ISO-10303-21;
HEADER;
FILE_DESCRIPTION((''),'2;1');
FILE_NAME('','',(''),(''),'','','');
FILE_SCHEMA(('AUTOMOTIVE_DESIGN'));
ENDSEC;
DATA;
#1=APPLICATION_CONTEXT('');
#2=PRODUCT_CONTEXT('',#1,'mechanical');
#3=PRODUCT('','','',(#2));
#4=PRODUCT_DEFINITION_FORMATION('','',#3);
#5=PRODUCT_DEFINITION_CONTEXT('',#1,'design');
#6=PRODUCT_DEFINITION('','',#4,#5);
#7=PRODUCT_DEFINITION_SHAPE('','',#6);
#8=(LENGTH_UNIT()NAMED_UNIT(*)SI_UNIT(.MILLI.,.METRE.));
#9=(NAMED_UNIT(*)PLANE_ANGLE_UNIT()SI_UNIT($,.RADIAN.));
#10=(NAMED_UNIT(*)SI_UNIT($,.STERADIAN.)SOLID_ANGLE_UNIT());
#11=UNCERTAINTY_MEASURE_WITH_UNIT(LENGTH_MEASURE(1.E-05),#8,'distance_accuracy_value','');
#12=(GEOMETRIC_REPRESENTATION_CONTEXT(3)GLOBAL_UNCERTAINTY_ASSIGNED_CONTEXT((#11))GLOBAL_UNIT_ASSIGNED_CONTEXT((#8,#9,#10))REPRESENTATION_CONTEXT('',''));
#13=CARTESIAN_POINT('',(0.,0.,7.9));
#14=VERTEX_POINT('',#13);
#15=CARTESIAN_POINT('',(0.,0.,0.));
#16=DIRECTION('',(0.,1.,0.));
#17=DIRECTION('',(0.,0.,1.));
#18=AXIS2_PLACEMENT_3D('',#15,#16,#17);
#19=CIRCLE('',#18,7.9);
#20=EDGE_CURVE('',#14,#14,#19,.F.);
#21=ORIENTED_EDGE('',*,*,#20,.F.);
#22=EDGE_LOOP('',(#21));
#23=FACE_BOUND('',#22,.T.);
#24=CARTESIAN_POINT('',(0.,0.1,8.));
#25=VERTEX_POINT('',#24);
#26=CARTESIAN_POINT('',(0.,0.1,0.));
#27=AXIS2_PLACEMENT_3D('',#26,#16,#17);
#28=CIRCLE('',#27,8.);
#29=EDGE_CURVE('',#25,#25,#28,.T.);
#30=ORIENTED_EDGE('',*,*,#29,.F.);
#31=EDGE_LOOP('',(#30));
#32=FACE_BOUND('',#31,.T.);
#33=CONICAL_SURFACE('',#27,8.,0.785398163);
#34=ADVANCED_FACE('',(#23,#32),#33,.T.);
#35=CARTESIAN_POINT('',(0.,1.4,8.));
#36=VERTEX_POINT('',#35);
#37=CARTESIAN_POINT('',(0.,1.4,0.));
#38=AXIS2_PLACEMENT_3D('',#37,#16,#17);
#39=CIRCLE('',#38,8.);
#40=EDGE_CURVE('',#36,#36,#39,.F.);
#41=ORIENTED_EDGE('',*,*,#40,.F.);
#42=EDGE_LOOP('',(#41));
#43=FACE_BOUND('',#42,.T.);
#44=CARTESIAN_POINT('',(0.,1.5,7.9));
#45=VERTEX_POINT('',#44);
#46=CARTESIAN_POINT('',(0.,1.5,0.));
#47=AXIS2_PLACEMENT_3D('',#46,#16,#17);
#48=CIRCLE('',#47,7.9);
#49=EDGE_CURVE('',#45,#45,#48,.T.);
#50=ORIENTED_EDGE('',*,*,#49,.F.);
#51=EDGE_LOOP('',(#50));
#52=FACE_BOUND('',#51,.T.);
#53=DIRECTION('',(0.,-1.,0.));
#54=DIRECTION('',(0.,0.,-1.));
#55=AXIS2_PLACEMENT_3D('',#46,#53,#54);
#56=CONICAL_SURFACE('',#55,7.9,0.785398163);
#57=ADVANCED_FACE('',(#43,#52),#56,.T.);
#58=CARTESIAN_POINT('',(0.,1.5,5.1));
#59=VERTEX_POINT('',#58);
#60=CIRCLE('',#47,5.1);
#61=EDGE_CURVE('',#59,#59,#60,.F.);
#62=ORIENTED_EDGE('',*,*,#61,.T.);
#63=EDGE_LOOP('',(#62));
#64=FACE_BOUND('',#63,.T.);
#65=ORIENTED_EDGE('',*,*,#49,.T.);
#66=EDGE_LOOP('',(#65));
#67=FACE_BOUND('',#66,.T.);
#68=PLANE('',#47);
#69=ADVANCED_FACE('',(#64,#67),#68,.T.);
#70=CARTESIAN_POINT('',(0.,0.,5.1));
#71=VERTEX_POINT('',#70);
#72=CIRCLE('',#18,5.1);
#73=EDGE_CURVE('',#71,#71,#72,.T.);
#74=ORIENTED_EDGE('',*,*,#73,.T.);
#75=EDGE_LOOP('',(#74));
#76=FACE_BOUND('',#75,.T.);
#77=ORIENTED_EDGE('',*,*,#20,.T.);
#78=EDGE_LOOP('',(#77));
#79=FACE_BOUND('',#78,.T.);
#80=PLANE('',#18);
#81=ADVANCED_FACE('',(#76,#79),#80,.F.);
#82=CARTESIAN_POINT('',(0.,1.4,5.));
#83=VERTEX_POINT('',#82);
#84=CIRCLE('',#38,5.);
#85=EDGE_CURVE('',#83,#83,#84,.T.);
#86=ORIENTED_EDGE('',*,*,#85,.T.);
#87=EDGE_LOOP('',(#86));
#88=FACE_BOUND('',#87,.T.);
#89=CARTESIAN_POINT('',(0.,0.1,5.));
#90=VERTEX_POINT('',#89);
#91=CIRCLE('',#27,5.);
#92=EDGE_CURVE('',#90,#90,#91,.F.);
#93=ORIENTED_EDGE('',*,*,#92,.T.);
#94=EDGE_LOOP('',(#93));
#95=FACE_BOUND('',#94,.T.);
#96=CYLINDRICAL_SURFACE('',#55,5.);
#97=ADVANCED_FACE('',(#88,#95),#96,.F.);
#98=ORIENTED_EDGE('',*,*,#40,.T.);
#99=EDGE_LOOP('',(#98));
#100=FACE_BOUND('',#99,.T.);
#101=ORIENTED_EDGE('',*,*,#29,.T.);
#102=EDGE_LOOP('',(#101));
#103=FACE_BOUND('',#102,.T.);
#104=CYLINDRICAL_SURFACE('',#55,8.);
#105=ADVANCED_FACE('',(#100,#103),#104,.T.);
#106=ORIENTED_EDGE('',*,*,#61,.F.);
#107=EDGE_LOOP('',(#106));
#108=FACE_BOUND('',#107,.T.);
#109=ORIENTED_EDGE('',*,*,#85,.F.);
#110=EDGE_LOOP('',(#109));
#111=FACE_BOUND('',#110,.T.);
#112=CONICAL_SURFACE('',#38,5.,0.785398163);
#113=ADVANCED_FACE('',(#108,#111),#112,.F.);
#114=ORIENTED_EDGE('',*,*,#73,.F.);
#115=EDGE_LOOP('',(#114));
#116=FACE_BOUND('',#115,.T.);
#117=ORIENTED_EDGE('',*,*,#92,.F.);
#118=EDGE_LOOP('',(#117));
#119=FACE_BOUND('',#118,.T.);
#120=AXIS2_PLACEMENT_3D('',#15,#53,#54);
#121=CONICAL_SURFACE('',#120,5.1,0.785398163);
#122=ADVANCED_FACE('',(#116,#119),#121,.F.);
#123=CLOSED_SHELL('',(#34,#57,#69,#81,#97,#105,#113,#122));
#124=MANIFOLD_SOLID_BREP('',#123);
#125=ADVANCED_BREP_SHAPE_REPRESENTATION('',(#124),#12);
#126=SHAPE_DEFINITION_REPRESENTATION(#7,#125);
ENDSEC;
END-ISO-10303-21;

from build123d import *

# Parameters (mm, degrees)
PROFILES_R    = 8
PROFILES_R_2  = 5
PROFILE_DEPTH = 1.5
OUTERC_SIZE   = 0.1
INNERC_SIZE   = 0.1


with BuildPart() as part:
    # ProfileS → Profile (new body)
    with BuildSketch(Plane(origin=(0, 0, 0), x_dir=(1, 0, 0), z_dir=(0, 1, 0))):
        Circle(PROFILES_R)
        Circle(PROFILES_R_2, mode=Mode.SUBTRACT)
    extrude(amount=PROFILE_DEPTH)

    # OuterC
    outerc_edges = [part.edges().sort_by_distance(p)[0] for p in [
        (-8, 0, 0),
        (-8, 1.5, 0),
    ]]
    chamfer(outerc_edges, length=OUTERC_SIZE)

    # InnerC
    innerc_edges = [part.edges().sort_by_distance(p)[0] for p in [
        (-5, 0, 0),
        (-5, 1.5, 0),
    ]]
    chamfer(innerc_edges, length=INNERC_SIZE)


solid = part.part
